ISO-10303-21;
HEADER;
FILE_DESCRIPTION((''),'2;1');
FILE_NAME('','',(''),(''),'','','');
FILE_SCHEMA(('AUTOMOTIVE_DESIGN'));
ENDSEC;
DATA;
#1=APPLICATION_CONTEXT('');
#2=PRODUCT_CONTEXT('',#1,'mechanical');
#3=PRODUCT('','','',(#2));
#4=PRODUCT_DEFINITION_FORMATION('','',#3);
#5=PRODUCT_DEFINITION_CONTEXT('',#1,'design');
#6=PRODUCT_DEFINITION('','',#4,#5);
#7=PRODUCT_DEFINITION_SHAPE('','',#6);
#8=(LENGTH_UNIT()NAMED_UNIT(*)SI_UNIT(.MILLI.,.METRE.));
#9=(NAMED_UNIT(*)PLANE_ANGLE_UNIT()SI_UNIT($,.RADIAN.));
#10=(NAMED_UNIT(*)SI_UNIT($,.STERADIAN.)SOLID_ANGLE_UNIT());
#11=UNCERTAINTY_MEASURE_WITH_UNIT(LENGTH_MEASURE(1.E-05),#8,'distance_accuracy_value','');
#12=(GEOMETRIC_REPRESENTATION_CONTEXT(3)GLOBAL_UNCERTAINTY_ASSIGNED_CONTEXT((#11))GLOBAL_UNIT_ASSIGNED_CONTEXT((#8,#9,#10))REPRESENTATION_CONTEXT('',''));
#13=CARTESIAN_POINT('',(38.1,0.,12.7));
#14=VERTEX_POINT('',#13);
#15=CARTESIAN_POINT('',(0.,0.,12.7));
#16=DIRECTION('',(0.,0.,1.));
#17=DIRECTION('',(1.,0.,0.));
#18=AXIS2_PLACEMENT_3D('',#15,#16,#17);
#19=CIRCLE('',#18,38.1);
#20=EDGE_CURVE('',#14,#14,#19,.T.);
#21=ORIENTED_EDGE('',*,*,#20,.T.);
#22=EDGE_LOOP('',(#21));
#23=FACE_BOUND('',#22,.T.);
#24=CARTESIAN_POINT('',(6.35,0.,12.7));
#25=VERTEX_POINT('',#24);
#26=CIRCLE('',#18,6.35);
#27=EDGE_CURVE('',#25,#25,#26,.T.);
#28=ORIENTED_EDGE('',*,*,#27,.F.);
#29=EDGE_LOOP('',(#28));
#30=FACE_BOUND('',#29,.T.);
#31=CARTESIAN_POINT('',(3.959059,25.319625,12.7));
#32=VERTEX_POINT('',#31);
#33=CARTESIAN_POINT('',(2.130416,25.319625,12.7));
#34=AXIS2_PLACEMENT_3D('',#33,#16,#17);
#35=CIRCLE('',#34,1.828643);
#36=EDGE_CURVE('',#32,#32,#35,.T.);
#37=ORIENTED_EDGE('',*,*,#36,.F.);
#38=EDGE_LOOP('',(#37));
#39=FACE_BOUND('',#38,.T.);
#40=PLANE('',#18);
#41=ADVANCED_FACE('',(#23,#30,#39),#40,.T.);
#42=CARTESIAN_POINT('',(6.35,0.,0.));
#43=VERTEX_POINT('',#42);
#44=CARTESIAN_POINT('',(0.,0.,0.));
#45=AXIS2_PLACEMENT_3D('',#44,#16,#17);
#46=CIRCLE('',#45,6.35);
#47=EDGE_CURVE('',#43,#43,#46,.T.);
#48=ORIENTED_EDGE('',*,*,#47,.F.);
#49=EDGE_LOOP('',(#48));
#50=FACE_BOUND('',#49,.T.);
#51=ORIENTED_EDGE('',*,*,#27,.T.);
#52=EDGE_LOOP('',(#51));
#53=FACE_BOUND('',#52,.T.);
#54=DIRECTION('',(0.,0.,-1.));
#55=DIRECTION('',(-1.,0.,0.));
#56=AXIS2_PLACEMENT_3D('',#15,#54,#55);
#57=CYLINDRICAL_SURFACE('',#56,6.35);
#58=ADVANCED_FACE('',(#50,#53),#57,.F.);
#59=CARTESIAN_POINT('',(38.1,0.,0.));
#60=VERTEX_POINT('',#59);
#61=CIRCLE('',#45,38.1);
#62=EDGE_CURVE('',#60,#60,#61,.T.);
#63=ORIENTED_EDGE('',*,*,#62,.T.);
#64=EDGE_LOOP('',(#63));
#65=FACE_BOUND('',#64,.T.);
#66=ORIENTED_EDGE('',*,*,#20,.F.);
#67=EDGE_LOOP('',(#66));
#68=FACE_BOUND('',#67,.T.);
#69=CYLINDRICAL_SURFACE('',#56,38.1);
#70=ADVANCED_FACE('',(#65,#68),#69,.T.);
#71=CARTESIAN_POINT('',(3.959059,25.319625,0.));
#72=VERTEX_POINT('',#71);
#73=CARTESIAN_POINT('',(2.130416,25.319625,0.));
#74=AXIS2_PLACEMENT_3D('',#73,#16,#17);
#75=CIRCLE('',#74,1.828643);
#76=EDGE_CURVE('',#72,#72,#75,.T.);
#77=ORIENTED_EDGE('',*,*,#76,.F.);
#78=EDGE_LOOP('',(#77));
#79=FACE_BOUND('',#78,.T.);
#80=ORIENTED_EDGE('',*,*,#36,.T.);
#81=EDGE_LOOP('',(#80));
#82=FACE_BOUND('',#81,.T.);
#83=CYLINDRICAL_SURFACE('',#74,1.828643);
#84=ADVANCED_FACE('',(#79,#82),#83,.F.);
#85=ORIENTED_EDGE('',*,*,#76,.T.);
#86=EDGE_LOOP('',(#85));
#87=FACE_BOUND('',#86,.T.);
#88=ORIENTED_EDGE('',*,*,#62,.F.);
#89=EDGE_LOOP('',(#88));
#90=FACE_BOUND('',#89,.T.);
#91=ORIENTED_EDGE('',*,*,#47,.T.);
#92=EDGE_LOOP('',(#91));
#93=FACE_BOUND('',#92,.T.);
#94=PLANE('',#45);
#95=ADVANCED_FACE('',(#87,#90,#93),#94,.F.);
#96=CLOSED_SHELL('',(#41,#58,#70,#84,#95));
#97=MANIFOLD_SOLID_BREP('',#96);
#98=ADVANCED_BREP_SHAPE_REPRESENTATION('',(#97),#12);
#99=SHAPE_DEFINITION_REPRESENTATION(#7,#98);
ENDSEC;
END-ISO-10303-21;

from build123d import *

# Parameters (mm, degrees)
SKETCH1_R           = 38.1
SKETCH1_R_2         = 6.35
BOSS_EXTRUDE1_DEPTH = 12.7
SKETCH2_R           = 1.828642627
CUT_EXTRUDE1_DEPTH  = 56.358016583


with BuildPart() as part:
    # Sketch1 → Boss-Extrude1 (new body)
    with BuildSketch(Plane.XY):
        Circle(SKETCH1_R)
        Circle(SKETCH1_R_2, mode=Mode.SUBTRACT)
    extrude(amount=BOSS_EXTRUDE1_DEPTH)

    # Sketch2 → Cut-Extrude1 (cut, through all)
    with BuildSketch(Plane.XY.offset(12.7)):
        with Locations((2.130416087, 25.31962512)):
            Circle(SKETCH2_R)
    extrude(amount=-CUT_EXTRUDE1_DEPTH, mode=Mode.SUBTRACT)


solid = part.part
